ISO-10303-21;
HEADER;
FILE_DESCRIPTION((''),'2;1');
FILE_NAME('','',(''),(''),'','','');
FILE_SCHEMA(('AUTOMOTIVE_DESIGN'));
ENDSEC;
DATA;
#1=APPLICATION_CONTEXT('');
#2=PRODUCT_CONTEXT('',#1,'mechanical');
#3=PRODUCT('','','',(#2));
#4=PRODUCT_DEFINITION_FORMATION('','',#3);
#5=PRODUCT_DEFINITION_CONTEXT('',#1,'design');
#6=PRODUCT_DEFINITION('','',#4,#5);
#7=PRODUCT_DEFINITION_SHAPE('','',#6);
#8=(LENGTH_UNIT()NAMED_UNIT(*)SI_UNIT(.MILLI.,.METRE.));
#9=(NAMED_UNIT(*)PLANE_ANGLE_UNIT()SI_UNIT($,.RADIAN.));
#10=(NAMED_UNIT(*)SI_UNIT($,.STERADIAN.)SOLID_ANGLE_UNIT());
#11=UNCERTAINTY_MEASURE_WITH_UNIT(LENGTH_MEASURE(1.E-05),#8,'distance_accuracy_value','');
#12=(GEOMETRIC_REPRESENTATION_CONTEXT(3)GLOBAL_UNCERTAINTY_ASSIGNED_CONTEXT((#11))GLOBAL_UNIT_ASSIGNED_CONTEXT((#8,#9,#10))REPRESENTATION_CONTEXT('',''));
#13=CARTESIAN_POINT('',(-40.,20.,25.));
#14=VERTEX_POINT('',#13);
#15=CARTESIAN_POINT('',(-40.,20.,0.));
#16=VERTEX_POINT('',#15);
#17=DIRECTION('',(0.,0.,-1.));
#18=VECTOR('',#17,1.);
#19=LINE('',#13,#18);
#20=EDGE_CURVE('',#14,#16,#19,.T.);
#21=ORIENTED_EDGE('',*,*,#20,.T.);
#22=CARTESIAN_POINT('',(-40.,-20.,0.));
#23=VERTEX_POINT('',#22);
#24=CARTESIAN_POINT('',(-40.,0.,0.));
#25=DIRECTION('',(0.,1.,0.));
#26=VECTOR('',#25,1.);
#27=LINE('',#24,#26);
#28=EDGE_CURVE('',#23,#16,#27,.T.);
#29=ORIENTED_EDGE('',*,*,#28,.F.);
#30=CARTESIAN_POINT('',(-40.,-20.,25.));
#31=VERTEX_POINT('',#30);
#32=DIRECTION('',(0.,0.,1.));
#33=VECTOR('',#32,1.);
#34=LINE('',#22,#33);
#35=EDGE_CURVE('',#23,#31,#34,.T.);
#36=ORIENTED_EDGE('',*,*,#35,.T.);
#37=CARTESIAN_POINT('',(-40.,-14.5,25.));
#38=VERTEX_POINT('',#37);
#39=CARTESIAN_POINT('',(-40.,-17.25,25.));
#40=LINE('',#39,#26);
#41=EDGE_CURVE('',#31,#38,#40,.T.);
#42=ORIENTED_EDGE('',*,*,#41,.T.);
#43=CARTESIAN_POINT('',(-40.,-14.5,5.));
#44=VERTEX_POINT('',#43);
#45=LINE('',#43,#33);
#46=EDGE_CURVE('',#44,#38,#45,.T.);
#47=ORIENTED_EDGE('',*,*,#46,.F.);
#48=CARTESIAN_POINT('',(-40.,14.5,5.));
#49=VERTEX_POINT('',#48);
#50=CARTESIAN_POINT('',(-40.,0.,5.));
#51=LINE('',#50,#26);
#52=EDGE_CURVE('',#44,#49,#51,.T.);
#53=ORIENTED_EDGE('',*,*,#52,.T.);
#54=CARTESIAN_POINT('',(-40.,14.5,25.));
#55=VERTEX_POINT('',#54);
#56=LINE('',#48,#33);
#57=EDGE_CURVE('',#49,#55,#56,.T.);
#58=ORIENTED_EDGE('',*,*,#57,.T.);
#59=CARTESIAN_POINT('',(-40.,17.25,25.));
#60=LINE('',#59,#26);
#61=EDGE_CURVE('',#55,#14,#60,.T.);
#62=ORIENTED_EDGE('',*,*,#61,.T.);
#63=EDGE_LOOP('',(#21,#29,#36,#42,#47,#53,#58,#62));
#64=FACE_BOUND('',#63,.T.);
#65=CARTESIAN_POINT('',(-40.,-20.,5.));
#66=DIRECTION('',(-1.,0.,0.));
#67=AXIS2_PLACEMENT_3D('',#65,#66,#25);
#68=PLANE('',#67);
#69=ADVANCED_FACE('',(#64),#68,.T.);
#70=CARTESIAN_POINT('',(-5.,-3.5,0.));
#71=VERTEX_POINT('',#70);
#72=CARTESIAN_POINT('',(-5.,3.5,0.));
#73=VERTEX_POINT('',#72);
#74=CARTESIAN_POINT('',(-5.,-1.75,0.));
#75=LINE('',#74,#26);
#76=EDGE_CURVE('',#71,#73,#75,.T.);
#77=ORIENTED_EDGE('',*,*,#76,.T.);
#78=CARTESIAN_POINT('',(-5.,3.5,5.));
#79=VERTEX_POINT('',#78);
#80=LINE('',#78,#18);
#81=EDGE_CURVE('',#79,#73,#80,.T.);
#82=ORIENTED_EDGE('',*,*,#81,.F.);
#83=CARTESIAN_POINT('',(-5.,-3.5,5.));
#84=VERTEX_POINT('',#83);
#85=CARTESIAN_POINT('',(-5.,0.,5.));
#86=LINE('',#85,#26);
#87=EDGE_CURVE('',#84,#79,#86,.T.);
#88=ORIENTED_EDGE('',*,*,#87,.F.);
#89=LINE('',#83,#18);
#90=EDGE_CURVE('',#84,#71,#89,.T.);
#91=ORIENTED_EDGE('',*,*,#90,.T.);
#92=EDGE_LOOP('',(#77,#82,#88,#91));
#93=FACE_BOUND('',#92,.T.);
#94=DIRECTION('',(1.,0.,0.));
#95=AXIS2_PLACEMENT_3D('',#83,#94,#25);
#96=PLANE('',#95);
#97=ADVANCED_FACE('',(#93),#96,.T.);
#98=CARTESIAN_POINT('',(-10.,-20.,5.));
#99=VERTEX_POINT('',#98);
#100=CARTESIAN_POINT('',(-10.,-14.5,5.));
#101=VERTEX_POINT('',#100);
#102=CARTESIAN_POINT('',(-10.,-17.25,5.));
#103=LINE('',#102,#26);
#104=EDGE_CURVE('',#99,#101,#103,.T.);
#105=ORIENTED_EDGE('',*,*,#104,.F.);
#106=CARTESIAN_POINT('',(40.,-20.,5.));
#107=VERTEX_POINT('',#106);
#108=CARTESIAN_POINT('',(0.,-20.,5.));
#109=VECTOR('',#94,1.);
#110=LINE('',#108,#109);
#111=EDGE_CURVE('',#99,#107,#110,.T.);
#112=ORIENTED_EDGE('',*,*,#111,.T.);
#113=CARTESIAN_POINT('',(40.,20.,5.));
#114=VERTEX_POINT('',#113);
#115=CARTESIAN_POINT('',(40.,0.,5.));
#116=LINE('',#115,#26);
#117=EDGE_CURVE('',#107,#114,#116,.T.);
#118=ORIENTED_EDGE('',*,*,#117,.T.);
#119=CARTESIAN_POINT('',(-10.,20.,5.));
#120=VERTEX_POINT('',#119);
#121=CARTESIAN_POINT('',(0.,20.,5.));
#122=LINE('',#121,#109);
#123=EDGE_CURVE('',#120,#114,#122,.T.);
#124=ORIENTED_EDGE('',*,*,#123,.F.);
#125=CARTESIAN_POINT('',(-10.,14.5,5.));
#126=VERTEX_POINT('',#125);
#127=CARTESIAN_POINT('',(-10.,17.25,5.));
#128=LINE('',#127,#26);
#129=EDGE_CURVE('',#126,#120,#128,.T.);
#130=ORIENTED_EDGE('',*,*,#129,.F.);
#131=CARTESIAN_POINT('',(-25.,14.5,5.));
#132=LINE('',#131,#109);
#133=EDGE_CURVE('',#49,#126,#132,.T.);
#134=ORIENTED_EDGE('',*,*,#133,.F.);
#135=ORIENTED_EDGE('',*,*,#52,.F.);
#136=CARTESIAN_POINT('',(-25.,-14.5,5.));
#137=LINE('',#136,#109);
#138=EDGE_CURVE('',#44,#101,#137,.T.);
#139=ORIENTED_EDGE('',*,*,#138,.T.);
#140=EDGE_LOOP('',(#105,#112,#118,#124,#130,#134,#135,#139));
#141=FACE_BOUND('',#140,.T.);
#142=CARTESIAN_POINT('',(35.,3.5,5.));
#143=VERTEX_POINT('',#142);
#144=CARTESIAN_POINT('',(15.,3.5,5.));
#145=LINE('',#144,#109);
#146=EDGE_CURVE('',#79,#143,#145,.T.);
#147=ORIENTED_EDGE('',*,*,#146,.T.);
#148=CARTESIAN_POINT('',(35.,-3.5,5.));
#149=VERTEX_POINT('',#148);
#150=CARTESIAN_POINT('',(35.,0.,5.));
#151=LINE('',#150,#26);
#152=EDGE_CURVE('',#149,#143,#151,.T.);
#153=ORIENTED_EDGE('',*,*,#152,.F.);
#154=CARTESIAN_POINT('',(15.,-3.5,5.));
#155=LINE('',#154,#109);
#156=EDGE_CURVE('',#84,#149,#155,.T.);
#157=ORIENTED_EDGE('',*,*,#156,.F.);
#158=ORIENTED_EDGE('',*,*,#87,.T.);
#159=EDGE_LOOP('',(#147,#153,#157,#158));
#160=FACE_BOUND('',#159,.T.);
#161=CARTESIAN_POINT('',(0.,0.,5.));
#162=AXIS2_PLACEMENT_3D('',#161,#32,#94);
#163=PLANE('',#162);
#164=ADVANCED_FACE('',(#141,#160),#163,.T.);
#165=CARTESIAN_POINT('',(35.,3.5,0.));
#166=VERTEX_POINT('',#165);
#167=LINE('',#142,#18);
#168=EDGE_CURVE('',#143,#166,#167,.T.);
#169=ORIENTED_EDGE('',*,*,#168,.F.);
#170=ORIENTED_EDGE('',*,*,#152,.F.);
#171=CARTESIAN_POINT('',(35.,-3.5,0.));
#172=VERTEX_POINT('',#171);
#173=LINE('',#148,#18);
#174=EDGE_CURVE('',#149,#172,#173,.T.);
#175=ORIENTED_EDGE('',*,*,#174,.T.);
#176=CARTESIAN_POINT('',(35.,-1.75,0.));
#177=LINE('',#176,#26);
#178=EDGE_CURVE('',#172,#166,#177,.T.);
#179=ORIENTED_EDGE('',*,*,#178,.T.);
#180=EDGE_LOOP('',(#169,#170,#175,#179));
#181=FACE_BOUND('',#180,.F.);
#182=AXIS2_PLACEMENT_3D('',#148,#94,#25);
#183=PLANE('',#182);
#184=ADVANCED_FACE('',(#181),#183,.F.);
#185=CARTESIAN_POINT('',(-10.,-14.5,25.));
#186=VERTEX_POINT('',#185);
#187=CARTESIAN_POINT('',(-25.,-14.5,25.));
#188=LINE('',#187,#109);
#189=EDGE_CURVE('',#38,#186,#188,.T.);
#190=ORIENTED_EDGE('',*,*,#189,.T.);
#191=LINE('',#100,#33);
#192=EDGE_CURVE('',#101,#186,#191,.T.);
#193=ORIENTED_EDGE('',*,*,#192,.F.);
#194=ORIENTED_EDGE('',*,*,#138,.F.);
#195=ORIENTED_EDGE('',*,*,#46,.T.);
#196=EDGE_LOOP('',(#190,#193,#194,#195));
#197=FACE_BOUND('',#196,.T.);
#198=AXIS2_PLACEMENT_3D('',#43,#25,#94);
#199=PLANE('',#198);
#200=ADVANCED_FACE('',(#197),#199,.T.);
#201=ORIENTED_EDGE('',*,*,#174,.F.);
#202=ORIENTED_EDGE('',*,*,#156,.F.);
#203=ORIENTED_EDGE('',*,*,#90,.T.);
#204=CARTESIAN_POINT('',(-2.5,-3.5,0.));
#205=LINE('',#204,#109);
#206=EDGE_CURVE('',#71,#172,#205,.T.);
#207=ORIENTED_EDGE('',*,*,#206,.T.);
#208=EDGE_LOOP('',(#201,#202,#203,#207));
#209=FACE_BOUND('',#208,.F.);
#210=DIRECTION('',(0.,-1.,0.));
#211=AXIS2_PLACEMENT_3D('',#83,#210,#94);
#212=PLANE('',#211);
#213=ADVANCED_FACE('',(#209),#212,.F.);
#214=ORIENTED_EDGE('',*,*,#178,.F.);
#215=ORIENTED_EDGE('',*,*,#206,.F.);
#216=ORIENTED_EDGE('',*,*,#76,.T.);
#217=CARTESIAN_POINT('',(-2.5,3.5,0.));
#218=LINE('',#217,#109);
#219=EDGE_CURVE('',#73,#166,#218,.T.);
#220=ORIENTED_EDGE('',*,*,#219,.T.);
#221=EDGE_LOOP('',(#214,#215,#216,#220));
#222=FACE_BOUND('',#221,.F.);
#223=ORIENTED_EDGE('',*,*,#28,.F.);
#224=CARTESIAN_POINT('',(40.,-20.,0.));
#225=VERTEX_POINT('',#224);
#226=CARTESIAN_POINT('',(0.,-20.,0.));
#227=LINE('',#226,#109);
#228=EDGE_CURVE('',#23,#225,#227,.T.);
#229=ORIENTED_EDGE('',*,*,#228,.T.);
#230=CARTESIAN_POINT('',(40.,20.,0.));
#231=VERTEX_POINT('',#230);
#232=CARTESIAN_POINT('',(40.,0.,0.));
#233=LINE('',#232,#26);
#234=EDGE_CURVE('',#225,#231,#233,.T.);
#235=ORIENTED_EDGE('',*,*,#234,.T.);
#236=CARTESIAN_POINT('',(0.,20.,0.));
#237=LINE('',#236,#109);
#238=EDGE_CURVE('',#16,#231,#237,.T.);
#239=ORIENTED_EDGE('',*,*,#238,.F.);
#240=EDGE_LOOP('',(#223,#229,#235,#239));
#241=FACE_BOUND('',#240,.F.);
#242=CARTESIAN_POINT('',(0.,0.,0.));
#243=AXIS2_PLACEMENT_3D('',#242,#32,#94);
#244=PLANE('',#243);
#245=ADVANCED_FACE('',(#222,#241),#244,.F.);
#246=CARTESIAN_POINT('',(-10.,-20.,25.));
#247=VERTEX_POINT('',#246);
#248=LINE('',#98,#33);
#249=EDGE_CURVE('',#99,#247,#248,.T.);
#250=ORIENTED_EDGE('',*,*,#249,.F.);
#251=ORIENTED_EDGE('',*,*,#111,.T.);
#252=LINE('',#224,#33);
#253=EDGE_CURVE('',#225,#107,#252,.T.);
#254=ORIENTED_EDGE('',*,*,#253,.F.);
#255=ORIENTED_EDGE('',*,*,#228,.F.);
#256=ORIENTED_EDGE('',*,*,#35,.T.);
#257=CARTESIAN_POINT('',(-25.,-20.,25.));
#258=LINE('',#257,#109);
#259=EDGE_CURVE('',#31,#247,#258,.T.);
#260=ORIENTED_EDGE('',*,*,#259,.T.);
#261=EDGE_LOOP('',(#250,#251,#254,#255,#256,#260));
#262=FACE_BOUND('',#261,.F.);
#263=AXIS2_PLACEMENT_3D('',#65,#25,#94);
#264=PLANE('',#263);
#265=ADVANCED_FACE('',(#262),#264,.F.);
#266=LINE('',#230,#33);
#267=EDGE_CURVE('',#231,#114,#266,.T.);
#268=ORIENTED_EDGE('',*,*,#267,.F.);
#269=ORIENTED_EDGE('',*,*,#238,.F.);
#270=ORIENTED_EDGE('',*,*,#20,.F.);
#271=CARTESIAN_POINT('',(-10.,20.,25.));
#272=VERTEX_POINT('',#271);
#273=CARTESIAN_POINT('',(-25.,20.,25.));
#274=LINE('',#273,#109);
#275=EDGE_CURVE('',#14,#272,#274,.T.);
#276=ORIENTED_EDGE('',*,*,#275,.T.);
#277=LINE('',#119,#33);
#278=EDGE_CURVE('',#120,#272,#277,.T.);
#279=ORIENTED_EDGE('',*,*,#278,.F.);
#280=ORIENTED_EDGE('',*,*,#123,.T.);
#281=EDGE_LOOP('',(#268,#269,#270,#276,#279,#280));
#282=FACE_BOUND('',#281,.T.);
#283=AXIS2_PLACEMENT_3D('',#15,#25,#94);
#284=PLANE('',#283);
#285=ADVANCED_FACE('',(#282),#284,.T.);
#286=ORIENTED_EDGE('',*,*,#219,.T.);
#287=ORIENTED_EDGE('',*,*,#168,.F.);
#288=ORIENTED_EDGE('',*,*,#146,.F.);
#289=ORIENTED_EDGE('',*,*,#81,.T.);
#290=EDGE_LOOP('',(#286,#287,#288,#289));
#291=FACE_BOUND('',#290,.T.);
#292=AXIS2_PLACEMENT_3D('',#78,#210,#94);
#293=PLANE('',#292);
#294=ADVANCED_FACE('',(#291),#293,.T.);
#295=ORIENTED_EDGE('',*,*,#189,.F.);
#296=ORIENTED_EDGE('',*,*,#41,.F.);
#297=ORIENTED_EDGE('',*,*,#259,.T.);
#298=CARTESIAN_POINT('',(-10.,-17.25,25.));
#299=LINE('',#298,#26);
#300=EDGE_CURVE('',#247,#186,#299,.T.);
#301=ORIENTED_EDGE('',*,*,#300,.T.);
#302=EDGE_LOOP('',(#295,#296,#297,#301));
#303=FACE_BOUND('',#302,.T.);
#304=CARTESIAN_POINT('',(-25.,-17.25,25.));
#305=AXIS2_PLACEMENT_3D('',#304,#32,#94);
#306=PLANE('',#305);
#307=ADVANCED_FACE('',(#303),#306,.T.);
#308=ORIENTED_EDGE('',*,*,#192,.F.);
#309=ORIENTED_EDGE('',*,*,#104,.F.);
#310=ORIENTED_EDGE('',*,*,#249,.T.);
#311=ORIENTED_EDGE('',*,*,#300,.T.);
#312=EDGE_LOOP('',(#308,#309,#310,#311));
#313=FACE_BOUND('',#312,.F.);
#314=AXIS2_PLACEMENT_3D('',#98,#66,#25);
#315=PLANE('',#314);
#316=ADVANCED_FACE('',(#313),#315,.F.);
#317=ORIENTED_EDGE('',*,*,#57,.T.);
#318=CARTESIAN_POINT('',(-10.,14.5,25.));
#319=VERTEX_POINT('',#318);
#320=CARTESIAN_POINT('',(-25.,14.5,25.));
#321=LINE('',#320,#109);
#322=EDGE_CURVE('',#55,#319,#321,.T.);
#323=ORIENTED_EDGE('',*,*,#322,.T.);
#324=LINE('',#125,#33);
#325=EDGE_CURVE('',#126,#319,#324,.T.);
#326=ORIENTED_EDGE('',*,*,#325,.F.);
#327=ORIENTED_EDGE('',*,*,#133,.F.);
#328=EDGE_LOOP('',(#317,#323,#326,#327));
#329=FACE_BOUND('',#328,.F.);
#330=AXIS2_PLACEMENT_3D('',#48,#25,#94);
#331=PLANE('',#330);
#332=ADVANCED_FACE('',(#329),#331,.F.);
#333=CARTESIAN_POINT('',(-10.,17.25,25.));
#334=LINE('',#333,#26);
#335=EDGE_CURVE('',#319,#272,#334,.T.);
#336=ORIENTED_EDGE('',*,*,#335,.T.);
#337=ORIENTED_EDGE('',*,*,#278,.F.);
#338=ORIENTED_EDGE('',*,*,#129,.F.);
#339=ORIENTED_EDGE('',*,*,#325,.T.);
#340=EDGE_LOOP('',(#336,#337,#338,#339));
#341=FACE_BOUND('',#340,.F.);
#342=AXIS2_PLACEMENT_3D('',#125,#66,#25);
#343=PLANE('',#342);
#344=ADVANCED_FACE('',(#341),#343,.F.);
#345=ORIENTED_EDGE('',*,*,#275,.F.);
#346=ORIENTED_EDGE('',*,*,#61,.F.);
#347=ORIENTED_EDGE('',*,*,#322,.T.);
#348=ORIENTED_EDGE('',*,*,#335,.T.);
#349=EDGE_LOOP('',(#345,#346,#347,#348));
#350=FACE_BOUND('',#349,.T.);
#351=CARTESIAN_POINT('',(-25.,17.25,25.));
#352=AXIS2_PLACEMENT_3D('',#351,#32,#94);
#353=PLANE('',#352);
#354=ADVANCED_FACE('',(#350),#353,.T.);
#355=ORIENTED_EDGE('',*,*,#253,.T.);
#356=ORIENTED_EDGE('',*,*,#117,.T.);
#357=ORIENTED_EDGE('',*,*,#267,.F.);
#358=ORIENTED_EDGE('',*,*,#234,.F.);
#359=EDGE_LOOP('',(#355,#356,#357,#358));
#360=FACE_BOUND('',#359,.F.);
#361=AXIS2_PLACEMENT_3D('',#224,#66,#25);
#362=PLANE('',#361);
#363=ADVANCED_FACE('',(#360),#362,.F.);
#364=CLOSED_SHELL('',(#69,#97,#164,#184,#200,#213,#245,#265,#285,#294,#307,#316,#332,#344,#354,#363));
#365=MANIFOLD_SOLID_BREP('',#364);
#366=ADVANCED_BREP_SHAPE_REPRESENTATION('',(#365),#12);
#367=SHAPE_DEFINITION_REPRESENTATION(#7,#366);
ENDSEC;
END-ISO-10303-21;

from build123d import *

# Parameters (mm, degrees)
F0_W     = 80
F0_H     = 40
F1_DEPTH = 5
F2_W     = 30
F2_H     = 5.5
F3_DEPTH = 20
F4_W     = 40
F4_H     = 7
F5_DEPTH = 22.4


with BuildPart() as f1:
    # F0 (on Top) → F1 (new body)
    with BuildSketch(Plane.XY):
        Rectangle(F0_W, F0_H)
    extrude(amount=F1_DEPTH)

    # F2 (on face) → F3 (join)
    with BuildSketch(Plane.XY.offset(5)):
        with Locations((-25, -17.25)):
            Rectangle(F2_W, F2_H)
        with Locations((-25, 17.25)):
            Rectangle(F2_W, F2_H)
    extrude(amount=F3_DEPTH)

    # F4 (on face) → F5 (cut)
    with BuildSketch(Plane.XY.offset(5)):
        with Locations((15, 0)):
            Rectangle(F4_W, F4_H)
    extrude(amount=-F5_DEPTH, mode=Mode.SUBTRACT)


solid = f1.part
